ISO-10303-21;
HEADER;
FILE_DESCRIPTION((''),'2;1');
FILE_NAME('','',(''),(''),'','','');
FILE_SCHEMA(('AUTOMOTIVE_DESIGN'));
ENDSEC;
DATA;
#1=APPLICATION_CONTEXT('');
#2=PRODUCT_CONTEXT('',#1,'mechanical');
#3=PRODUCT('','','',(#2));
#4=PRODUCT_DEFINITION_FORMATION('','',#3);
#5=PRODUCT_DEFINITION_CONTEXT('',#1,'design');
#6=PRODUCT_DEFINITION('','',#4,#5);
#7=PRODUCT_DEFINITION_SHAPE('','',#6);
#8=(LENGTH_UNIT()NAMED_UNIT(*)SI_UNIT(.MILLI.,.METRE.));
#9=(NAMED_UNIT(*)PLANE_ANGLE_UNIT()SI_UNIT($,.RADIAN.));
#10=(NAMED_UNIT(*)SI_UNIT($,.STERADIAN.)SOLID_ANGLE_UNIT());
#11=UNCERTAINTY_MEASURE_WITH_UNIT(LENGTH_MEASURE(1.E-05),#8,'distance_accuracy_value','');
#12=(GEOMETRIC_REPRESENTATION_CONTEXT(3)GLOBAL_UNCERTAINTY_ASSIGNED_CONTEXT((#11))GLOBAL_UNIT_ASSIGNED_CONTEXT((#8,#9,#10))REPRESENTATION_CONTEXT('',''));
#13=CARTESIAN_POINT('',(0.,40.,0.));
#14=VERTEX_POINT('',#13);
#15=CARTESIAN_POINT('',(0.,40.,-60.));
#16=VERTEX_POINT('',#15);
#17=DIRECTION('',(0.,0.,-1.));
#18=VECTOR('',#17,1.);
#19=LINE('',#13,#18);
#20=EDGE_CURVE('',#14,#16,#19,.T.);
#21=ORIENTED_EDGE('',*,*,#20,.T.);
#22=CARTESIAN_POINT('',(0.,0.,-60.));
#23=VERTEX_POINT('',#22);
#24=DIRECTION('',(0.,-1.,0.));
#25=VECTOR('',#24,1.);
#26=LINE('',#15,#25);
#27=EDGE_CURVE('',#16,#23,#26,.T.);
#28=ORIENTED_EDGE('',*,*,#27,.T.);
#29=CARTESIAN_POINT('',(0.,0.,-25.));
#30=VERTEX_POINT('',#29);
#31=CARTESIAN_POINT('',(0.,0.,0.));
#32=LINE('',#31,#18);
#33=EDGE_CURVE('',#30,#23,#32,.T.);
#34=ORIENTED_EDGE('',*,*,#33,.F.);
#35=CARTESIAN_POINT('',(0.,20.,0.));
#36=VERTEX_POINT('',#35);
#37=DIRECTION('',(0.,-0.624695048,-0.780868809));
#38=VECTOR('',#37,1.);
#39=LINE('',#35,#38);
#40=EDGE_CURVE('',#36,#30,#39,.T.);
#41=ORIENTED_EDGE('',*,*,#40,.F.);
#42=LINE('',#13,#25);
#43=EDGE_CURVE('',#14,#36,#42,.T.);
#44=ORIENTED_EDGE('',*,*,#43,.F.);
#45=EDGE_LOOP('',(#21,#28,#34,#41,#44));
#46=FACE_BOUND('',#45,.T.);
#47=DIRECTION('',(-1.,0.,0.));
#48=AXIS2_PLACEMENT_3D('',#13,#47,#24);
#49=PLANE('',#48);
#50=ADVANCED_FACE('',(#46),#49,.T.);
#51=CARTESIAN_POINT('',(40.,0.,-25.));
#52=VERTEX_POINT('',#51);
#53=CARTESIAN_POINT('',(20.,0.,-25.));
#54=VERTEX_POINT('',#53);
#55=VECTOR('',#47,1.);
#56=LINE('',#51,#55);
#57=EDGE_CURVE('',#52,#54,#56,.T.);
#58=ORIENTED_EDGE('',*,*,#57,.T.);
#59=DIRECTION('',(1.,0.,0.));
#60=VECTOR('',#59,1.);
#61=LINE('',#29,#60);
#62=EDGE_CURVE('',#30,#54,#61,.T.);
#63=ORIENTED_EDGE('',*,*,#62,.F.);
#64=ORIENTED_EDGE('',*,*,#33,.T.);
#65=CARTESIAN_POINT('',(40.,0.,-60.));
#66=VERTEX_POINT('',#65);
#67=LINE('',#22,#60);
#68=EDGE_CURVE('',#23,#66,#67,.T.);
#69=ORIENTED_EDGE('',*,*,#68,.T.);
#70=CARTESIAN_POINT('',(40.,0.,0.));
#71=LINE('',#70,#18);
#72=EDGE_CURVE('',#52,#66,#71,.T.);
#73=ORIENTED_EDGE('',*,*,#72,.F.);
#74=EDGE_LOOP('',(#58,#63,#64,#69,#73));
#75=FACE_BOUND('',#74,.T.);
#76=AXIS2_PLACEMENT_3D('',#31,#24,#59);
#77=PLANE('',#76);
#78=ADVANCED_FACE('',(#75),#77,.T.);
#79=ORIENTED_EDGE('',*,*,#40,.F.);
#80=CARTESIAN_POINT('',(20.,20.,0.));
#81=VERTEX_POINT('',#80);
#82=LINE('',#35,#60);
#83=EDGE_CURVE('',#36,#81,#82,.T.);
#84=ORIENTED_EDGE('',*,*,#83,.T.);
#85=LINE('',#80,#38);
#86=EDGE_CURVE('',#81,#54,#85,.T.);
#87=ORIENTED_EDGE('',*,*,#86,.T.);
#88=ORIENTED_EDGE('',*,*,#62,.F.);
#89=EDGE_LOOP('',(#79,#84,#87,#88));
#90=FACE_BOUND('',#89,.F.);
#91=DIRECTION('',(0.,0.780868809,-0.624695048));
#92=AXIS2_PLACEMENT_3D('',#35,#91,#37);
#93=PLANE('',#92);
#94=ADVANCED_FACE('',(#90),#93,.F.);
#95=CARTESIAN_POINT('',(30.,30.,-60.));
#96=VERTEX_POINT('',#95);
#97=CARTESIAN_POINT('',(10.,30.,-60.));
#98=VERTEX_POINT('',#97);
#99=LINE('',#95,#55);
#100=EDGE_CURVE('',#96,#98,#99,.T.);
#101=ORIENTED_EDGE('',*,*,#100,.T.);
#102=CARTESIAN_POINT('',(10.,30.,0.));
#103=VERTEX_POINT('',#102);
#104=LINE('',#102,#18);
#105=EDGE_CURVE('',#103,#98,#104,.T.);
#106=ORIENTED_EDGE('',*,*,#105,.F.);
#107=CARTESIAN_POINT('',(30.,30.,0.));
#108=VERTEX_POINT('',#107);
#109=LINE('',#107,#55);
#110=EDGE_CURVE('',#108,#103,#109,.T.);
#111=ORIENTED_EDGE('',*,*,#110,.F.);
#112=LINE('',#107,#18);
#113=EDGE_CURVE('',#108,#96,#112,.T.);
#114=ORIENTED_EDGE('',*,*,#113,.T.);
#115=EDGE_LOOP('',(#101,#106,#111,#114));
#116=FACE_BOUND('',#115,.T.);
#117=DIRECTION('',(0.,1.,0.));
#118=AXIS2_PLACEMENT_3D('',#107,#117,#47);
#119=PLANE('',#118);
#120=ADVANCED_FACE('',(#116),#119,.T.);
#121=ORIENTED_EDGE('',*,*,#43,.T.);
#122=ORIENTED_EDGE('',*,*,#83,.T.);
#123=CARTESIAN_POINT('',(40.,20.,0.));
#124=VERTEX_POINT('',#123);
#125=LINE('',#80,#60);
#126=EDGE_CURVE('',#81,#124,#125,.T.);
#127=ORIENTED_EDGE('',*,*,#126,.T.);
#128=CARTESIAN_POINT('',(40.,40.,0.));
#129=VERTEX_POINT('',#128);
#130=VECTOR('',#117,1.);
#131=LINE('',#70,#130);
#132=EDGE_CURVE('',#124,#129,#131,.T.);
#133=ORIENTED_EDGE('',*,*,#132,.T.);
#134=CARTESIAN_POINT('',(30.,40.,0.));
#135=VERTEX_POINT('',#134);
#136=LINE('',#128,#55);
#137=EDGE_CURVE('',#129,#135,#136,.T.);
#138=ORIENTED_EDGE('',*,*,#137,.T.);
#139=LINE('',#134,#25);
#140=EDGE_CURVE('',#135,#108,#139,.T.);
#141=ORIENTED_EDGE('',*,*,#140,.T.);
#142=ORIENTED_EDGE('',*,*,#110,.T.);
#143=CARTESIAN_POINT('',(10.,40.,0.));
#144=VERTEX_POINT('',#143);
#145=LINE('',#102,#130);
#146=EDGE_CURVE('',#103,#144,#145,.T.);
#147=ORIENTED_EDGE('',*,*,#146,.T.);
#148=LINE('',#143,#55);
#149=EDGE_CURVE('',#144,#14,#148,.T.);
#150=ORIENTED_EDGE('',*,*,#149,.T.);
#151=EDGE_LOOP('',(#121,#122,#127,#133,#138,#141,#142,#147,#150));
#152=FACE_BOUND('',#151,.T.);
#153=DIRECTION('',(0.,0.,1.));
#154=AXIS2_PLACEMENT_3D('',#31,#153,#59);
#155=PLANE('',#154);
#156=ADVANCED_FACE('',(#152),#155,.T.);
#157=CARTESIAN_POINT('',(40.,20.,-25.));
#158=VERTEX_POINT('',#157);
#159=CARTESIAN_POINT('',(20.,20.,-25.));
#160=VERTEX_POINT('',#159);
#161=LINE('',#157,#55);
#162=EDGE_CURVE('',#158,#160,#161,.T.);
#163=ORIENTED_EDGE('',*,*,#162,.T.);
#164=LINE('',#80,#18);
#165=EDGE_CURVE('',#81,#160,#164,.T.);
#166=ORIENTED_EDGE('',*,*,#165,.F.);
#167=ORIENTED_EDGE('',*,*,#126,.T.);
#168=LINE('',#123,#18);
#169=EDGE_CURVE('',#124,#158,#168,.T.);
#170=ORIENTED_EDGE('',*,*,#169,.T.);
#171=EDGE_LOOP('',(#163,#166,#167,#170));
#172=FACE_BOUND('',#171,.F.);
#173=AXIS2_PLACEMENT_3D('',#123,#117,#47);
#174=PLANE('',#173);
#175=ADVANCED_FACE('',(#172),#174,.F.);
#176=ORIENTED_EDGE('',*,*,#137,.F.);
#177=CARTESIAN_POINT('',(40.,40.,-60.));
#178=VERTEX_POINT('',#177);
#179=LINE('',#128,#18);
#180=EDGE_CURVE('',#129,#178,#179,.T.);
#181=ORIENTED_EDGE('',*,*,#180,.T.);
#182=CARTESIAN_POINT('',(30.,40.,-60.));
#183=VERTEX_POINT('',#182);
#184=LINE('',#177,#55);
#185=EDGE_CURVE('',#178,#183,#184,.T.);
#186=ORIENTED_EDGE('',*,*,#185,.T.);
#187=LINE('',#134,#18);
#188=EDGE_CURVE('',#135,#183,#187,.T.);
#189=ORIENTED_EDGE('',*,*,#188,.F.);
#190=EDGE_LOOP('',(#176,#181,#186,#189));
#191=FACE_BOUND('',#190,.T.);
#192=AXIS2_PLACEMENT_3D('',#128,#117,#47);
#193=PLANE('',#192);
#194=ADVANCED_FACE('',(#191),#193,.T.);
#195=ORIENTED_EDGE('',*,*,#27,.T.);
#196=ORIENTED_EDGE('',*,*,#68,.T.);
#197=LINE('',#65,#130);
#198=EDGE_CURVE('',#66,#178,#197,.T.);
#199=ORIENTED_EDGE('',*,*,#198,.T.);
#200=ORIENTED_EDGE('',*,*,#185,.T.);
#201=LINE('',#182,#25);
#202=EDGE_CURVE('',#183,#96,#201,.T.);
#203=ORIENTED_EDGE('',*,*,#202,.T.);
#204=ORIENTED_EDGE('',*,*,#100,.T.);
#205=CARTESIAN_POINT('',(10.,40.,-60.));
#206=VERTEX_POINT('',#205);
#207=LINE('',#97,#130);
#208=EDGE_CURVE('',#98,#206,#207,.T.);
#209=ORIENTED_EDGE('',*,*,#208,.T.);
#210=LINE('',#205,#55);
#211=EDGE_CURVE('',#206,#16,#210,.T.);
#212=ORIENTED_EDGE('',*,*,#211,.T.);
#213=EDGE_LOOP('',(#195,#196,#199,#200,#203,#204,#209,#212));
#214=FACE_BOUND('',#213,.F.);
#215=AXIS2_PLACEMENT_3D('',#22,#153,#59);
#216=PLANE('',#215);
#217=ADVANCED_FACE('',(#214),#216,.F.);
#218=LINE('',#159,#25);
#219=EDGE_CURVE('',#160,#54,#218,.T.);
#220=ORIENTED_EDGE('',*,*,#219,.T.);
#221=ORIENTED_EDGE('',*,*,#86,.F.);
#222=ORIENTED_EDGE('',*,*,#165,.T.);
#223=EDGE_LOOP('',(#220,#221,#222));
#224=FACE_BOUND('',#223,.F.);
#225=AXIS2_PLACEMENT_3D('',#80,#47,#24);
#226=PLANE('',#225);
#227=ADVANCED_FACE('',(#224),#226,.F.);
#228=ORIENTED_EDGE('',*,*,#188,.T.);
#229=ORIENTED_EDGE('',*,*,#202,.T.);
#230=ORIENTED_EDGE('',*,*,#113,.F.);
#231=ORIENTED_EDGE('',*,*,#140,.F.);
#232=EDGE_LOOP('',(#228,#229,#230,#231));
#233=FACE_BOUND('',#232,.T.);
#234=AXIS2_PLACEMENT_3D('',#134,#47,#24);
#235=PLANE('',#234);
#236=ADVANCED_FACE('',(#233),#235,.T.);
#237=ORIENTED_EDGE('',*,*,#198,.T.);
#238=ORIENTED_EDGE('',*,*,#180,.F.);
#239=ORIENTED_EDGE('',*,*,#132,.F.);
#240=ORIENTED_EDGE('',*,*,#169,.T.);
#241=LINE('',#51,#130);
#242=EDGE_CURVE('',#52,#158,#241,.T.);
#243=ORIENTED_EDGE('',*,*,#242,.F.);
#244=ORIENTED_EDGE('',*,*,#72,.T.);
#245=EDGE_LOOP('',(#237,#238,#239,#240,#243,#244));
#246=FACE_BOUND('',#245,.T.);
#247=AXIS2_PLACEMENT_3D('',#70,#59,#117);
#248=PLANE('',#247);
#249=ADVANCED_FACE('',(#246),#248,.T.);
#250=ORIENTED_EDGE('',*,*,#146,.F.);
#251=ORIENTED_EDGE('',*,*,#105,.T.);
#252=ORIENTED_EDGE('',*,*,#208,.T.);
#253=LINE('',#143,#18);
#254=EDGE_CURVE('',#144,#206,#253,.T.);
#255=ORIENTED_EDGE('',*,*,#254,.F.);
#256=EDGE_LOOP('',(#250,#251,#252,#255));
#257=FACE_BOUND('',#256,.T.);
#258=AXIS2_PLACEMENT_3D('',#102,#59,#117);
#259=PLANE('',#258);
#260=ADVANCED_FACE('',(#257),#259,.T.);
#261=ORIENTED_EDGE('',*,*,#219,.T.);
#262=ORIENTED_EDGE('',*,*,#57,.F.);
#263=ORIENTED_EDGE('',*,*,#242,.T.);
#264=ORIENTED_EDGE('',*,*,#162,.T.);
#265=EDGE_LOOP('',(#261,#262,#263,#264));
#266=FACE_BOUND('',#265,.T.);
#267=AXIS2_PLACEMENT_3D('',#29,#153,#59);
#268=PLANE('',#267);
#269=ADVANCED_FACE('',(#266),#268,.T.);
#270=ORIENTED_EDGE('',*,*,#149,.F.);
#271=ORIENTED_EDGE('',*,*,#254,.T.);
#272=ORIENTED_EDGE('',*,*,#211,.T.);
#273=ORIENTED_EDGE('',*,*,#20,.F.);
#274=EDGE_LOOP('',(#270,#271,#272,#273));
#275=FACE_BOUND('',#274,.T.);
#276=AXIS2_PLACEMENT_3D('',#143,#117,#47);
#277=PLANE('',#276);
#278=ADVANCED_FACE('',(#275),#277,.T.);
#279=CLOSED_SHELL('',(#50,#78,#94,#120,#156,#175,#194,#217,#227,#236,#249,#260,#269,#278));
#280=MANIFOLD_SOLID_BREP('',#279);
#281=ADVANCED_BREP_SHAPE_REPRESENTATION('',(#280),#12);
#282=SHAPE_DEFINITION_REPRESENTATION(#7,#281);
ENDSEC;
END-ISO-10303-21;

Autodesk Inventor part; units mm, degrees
ref_plane "YZ Plane" through (0, 0, 0) normal (1, 0, 0) x (0, 1, 0)
ref_plane "XZ Plane" through (0, 0, 0) normal (0, 1, 0) x (-1, 0, 0)
ref_plane "XY Plane" through (0, 0, 0) normal (0, 0, 1) x (1, 0, 0)
sketch "Náčrt1" plane through (0, 0, 0) normal (0, 0, 1) x (1, 0, 0)
  line L0 (0, 0) -> (40, 0)
  line L1 (40, 0) -> (40, 40)
  line L2 (40, 40) -> (30, 40)
  line L3 (30, 40) -> (30, 30)
  line L4 (30, 30) -> (10, 30)
  line L5 (10, 30) -> (10, 40)
  line L6 (10, 40) -> (0, 40)
  line L7 (0, 40) -> (0, 0)
  dimension "d0" = 40
  dimension "d1" = 40
  dimension "d2" = 10
  dimension "d3" = 10
  dimension "d4" = 20
  dimension "d5" = 10
  dimension "d6" = 10
extrude "Vysunutí1" add sketch "Náčrt1" against normal blind 60
sketch "Náčrt2" plane through (0, 0, 0) normal (0, 0, 1) x (1, 0, 0)
  line L0 (40, 0) -> (0, 0) projected
  line L1 (40, 0) -> (40, 20)
  line L2 (40, 0) -> (40, 40) projected
  line L3 (40, 20) -> (20, 20)
  line L4 (20, 20) -> (20, 0)
  line L5 (20, 0) -> (40, 0)
  dimension "d11" = 20
  dimension "d12" = 20
extrude "Vysunutí2" cut sketch "Náčrt2" against normal blind 25
sketch "Náčrt3" plane through (0, 0, 0) normal (-1, 0, 0) x (0, 0, 1)
  line L0 (0, 40) -> (0, 0) projected
  line L1 (-25, 0) -> (0, 0) projected
  line L2 (0, 0) -> (-25, 0)
  line L3 (0, 20) -> (-25, 0)
  line L4 (0, 0) -> (0, 20)
extrude "Vysunutí3" cut sketch "Náčrt3" against normal blind 25
properties part number "5"
